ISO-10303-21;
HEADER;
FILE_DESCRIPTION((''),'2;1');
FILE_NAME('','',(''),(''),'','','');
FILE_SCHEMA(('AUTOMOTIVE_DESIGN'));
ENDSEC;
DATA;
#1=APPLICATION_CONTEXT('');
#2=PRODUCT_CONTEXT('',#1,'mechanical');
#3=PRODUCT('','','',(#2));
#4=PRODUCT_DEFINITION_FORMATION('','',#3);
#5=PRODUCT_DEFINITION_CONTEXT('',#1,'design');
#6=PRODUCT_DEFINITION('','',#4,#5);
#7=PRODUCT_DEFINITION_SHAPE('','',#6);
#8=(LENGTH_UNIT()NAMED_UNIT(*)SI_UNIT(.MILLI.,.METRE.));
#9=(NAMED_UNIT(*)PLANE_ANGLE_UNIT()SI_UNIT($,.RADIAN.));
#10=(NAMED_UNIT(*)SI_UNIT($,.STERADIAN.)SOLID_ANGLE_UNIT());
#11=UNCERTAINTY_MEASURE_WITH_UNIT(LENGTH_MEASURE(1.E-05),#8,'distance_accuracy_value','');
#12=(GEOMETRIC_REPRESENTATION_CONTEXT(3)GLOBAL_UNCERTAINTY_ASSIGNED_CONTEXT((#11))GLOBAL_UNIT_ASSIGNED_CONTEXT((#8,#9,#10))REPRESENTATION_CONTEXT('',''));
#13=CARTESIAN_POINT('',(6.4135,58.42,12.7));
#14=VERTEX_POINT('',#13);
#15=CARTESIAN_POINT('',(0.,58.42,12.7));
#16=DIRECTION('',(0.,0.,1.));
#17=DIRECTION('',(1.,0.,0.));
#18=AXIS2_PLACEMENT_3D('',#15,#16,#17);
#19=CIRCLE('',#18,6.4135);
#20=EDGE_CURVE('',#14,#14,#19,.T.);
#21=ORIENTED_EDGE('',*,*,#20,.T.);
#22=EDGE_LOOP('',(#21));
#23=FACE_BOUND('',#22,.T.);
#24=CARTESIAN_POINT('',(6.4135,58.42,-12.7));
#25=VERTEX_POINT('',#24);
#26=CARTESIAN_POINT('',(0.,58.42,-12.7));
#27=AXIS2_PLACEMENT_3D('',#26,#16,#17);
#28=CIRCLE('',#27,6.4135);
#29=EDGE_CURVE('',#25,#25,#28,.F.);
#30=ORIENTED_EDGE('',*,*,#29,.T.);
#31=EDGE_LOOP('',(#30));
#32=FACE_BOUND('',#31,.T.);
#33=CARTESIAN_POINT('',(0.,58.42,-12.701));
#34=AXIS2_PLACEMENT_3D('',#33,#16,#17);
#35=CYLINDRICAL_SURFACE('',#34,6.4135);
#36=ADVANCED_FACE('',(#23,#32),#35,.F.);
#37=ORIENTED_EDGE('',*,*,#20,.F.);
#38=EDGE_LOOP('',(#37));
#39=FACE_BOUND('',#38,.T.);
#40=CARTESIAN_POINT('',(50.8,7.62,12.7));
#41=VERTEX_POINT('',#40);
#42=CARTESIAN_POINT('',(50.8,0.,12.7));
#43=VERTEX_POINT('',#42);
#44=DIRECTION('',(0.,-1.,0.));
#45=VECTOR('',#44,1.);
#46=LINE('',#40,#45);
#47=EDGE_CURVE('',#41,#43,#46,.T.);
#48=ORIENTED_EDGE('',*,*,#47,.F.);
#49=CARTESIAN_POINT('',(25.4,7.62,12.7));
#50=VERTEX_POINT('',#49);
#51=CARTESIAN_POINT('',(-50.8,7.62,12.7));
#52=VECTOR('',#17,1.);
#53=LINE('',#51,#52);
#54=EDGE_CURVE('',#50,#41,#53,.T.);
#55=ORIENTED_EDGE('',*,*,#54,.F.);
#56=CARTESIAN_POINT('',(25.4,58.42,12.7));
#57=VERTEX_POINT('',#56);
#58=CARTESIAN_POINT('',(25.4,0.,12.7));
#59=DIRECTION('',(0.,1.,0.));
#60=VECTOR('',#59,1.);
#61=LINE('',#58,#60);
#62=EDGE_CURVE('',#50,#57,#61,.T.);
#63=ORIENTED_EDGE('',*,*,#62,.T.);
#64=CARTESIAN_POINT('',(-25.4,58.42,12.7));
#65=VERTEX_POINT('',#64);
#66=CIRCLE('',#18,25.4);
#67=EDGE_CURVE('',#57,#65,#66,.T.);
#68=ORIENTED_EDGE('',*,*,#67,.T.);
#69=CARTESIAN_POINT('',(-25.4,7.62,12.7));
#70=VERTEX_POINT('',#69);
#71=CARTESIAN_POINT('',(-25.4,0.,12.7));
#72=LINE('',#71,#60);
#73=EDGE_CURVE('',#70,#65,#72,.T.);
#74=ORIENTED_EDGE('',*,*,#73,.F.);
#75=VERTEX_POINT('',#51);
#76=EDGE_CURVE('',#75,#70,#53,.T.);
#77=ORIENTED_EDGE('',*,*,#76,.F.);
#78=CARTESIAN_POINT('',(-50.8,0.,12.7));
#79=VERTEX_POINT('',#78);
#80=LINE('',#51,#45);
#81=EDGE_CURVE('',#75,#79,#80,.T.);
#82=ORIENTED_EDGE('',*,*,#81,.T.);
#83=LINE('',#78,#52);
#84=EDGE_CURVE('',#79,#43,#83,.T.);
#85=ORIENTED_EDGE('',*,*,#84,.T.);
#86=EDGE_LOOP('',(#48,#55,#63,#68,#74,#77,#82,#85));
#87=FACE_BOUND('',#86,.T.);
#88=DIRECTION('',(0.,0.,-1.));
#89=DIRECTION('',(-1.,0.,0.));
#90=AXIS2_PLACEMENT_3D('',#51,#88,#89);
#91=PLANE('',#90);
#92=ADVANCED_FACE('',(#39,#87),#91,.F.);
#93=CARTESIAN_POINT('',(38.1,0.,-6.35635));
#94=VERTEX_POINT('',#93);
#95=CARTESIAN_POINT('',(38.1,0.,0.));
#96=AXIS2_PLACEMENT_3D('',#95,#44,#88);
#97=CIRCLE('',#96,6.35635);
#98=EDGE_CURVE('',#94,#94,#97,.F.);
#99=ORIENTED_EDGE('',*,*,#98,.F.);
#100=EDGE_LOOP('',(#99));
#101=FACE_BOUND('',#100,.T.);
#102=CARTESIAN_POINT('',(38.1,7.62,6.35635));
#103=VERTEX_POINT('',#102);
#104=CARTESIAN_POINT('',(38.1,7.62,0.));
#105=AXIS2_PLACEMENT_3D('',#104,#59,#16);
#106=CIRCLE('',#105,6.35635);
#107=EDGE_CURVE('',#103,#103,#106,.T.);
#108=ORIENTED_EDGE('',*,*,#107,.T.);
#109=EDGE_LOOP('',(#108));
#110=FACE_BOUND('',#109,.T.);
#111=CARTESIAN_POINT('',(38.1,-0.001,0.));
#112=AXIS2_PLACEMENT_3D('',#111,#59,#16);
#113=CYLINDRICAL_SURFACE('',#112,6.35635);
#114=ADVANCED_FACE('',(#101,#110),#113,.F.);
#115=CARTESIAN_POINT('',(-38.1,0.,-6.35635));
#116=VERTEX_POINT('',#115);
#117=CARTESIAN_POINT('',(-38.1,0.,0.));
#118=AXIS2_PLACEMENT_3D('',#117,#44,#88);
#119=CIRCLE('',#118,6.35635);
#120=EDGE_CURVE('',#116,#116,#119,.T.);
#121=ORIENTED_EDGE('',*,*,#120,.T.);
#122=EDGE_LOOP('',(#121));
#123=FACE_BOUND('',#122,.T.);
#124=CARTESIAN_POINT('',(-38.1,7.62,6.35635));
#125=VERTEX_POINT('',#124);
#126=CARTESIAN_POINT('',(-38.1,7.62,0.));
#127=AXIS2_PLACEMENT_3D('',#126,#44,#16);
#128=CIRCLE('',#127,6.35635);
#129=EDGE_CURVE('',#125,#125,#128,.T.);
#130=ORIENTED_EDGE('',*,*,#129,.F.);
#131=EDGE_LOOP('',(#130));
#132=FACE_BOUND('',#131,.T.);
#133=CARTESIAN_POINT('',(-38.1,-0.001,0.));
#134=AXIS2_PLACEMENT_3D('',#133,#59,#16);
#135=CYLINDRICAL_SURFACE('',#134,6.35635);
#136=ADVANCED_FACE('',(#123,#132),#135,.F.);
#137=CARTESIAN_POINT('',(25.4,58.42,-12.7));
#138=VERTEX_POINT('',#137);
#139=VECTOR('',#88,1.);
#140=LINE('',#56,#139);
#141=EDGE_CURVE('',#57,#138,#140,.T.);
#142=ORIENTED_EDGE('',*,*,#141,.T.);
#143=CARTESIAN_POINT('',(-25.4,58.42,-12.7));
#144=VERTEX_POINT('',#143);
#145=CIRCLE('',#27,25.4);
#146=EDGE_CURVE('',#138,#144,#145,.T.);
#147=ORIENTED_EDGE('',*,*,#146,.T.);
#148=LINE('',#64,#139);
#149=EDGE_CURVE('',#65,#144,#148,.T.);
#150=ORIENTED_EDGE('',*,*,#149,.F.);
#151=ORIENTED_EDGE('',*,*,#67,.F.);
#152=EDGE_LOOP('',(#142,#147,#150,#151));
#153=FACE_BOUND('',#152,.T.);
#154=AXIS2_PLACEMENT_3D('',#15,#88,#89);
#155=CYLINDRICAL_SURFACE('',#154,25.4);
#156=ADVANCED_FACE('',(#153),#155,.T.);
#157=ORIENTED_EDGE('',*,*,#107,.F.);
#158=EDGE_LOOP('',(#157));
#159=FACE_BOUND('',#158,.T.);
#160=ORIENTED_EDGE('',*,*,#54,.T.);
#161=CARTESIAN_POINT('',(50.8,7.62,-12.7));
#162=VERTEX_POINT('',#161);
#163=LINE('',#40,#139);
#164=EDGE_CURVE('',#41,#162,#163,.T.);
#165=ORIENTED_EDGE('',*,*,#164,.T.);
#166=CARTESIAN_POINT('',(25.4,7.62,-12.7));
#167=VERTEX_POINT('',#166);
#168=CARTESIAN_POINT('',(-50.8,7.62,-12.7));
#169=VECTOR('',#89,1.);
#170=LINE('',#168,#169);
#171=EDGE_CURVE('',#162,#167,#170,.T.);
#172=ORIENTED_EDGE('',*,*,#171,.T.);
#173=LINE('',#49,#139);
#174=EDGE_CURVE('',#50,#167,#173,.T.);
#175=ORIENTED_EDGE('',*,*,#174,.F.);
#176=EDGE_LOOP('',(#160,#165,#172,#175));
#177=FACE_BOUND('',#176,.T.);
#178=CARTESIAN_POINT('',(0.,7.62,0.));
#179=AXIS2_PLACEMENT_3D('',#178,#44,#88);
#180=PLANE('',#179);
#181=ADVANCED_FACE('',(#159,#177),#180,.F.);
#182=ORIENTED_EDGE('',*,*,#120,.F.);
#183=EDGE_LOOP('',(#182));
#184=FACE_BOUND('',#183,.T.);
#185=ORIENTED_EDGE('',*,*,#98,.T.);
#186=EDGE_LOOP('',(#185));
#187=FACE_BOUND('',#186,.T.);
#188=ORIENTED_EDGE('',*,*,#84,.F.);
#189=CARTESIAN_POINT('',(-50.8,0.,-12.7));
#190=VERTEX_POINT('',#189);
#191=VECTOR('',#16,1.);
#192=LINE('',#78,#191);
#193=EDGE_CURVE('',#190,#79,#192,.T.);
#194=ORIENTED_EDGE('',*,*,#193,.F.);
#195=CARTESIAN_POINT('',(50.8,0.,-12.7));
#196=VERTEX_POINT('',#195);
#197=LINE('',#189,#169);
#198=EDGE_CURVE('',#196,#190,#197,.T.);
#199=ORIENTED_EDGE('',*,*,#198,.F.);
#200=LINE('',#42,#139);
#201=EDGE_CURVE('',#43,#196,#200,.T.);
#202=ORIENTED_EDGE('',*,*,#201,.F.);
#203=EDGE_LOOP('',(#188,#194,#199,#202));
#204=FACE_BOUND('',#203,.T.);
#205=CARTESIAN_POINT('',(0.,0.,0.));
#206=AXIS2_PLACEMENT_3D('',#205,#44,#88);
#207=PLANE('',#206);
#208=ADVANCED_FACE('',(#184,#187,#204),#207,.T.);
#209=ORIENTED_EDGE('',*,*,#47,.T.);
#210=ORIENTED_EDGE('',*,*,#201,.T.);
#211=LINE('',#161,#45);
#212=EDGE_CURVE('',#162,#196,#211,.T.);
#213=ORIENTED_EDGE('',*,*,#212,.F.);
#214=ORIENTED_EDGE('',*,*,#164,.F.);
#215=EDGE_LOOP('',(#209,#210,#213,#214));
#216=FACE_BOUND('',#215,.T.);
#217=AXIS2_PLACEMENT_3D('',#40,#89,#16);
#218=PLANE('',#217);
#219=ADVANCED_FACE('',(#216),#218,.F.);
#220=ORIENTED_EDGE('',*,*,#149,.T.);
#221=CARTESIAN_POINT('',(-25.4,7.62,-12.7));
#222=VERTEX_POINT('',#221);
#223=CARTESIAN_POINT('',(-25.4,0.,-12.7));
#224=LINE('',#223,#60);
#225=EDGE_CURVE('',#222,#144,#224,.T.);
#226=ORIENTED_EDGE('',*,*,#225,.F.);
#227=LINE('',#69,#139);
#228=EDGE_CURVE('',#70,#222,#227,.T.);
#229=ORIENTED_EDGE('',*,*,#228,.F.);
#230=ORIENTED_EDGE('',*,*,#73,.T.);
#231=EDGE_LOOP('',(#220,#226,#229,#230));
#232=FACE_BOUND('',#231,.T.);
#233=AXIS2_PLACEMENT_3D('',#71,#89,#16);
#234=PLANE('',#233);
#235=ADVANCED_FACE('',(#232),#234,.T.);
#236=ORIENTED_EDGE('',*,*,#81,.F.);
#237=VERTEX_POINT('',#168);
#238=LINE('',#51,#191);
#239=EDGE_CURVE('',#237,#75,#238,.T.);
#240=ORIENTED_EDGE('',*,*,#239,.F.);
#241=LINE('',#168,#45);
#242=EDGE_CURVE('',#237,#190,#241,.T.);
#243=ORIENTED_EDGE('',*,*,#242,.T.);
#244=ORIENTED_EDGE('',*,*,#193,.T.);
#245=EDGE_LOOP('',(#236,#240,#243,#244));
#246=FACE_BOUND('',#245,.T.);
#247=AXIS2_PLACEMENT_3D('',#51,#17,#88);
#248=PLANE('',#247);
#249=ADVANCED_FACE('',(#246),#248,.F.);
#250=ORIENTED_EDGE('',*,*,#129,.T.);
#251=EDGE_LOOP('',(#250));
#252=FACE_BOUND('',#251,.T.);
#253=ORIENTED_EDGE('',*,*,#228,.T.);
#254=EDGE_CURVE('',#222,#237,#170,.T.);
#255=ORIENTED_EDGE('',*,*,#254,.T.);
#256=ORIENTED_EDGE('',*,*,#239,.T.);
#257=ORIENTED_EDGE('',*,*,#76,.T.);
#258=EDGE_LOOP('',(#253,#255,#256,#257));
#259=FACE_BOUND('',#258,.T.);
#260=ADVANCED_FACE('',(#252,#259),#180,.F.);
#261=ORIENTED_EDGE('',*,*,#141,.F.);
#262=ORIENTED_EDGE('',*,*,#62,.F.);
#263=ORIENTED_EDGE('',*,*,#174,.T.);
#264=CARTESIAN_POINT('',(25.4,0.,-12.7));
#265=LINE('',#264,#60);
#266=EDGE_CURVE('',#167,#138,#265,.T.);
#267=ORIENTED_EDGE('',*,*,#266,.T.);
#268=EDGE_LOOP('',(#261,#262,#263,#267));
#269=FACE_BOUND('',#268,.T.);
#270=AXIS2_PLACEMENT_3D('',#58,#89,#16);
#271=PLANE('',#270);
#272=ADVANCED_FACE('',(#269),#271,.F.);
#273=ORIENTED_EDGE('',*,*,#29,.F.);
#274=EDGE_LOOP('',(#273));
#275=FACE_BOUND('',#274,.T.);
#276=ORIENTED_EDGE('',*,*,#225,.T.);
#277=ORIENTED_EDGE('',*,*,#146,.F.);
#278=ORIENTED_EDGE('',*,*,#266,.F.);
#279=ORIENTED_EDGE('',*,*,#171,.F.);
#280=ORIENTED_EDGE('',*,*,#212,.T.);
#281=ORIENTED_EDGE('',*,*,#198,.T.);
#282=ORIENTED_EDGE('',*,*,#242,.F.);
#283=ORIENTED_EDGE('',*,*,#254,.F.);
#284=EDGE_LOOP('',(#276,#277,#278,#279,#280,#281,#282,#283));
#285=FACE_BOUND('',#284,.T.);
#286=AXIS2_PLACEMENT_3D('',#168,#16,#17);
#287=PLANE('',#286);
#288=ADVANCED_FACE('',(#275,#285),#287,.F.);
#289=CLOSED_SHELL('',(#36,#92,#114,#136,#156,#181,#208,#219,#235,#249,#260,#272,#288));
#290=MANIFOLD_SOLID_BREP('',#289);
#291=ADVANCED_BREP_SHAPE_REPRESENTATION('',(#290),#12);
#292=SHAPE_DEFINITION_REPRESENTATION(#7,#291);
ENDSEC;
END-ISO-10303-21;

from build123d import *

# Parameters (mm, degrees)
SKETCH2_W           = 101.6
SKETCH2_H           = 25.4
BOSS_EXTRUDE1_DEPTH = 7.62
BOSS_EXTRUDE2_DEPTH = 12.7
SKETCH4_R           = 6.35635
CUT_EXTRUDE1_DEPTH  = 7.62
CUT_EXTRUDE2_REACH  = 27.4
SKETCH5_R           = 6.4135


with BuildPart() as part:
    # Sketch2 → Boss-Extrude1 (new body)
    with BuildSketch(Plane(origin=(0, 0, 0), x_dir=(1, 0, 0), z_dir=(0, 1, 0))):
        Rectangle(SKETCH2_W, SKETCH2_H)
    extrude(amount=BOSS_EXTRUDE1_DEPTH)

    # Sketch3 → Boss-Extrude2 (add, symmetric)
    with BuildSketch(Plane.XY):
        with BuildLine():
            ThreePointArc((25.4, 58.42), (0, 83.82), (-25.4, 58.42))
            Line((-25.4, 58.42), (25.4, 58.42))
        make_face()
        with BuildLine():
            Line((25.4, 58.42), (-25.4, 58.42))
            ThreePointArc((-25.4, 58.42), (0, 33.02), (25.4, 58.42))
        make_face()
        with BuildLine():
            Line((-25.4, 58.42), (-25.4, 7.62))
            Line((-25.4, 7.62), (25.4, 7.62))
            Line((25.4, 7.62), (25.4, 58.42))
            ThreePointArc((25.4, 58.42), (0, 33.02), (-25.4, 58.42))
        make_face()
    extrude(amount=BOSS_EXTRUDE2_DEPTH, both=True)

    # Sketch4 → Cut-Extrude1 (cut)
    with BuildSketch(Plane(origin=(0, 7.62, 0), x_dir=(1, 0, 0), z_dir=(0, 1, 0))):
        with Locations((38.1, 0)):
            Circle(SKETCH4_R)
    cut_extrude1 = extrude(amount=-CUT_EXTRUDE1_DEPTH, mode=Mode.SUBTRACT)

    # Mirror1: Cut-Extrude1 across plane
    add(cut_extrude1.mirror(Plane(origin=(0, 0, 0), x_dir=(0, 0, 1), z_dir=(1, 0, 0))), mode=Mode.SUBTRACT)

    # Sketch5 → Cut-Extrude2 (cut, up to next)
    with BuildSketch(Plane.XY.offset(12.7), mode=Mode.PRIVATE) as cut_extrude2_sk1:
        with Locations((0, 58.42)):
            Circle(SKETCH5_R)
    cut_extrude2_tool1 = extrude(cut_extrude2_sk1.sketch, amount=-CUT_EXTRUDE2_REACH, mode=Mode.PRIVATE) & part.part
    add(cut_extrude2_tool1.solids().sort_by_distance((0, 58.42, 12.7))[0], mode=Mode.SUBTRACT)


solid = part.part
